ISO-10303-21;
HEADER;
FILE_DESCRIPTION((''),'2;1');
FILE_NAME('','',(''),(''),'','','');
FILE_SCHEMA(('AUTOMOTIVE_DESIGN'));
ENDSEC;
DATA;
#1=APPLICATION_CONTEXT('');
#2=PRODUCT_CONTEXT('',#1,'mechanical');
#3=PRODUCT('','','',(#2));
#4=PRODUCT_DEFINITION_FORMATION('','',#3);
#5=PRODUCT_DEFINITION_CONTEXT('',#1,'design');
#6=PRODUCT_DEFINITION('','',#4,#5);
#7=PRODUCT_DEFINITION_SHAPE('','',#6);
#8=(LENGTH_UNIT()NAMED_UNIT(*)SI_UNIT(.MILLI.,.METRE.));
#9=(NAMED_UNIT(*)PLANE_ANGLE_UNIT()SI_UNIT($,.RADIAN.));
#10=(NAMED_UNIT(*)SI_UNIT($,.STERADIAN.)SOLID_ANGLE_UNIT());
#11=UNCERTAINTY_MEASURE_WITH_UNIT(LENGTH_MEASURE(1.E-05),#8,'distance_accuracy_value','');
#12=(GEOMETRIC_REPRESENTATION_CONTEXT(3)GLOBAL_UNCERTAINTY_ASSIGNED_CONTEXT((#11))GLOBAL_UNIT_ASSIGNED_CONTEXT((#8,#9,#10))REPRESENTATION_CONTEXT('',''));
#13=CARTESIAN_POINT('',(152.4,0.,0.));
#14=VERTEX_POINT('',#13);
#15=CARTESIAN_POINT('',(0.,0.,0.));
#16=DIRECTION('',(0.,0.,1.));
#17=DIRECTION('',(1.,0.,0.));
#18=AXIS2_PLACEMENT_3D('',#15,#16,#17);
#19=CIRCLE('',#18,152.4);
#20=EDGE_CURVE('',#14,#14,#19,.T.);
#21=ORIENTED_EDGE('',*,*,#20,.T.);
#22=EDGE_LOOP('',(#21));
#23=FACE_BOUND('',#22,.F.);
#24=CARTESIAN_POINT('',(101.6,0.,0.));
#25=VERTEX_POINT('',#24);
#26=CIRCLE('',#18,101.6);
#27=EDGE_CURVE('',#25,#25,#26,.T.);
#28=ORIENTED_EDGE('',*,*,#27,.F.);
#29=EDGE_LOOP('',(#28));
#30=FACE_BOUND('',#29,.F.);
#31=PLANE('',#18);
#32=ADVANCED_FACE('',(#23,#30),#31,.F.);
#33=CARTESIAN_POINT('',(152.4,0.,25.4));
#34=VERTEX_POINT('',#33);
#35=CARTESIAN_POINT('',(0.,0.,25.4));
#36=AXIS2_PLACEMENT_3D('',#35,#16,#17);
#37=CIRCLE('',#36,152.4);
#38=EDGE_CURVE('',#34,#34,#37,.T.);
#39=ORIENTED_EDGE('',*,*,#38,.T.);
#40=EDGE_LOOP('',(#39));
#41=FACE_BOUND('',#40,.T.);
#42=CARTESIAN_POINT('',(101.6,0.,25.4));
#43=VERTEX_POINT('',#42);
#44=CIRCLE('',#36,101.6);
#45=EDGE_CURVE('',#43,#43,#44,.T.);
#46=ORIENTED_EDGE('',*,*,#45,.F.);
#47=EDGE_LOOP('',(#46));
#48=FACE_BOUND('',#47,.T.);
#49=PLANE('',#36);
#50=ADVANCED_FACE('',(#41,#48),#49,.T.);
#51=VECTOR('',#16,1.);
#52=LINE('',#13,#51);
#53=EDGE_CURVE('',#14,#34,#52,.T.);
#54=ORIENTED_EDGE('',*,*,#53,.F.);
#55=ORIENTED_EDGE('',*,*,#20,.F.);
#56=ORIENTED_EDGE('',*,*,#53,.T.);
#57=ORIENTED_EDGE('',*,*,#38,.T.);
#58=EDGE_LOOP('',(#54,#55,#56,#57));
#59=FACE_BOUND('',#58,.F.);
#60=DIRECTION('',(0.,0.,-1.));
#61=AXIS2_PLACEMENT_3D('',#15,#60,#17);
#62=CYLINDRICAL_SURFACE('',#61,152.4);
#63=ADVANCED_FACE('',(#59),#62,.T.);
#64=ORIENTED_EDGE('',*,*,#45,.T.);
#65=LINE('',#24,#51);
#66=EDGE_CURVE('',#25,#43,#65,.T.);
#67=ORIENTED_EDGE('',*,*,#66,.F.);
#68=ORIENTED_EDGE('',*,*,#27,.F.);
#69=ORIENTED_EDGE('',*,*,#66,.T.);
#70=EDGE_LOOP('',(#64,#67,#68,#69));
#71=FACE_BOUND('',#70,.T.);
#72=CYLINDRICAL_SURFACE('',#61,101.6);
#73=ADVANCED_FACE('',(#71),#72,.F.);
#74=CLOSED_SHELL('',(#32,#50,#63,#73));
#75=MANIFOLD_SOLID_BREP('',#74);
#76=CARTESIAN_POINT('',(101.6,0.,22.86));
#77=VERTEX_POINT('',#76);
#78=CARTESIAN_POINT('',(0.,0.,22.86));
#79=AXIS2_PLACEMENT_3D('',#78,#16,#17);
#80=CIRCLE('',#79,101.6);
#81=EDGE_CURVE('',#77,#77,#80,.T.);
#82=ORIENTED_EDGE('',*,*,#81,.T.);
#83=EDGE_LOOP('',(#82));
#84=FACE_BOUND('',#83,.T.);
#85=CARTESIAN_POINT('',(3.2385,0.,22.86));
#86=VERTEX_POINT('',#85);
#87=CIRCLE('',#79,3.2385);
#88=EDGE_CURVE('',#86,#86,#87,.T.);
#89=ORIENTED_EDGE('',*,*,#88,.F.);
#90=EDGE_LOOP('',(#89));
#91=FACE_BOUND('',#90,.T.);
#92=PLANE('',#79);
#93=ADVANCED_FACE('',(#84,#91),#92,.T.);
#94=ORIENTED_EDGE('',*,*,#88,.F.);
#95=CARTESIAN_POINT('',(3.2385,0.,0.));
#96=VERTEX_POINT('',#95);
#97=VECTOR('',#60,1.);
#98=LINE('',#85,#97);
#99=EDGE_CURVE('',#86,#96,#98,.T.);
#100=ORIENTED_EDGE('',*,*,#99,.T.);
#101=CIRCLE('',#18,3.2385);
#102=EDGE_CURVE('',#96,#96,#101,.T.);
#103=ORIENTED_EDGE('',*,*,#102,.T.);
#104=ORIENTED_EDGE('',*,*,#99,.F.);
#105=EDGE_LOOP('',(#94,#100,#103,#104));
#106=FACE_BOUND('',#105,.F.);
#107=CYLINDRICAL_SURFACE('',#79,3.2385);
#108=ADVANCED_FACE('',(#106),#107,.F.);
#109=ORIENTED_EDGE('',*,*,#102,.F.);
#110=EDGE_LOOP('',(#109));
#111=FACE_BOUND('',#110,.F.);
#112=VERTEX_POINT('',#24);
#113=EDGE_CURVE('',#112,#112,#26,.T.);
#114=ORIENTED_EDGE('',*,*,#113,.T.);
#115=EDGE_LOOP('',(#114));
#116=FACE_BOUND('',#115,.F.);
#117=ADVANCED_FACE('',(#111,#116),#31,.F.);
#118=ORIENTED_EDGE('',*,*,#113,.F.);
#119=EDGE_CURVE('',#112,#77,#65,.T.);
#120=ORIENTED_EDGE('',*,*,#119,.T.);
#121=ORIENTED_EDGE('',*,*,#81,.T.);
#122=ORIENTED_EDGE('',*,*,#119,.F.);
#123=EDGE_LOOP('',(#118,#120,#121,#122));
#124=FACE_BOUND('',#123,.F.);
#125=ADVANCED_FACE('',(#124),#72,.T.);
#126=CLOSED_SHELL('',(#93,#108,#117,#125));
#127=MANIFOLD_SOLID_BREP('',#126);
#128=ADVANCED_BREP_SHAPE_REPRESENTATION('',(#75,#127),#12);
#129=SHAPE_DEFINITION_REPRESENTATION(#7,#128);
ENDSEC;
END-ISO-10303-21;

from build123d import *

# Parameters (mm, degrees)
F0_R     = 101.6
F1_DEPTH = 22.86
F2_R     = 3.2385
F3_DEPTH = 22.86
F4_R     = 152.4
F4_R_2   = 101.6
F5_DEPTH = 25.4


with BuildPart() as f1:
    # F0 (on Top) → F1 (new body)
    with BuildSketch(Plane.XY):
        Circle(F0_R)
    extrude(amount=F1_DEPTH)

    # F2 (on face) → F3 (cut, through all)
    with BuildSketch(Plane.XY.offset(22.86)):
        Circle(F2_R)
    extrude(amount=-F3_DEPTH, mode=Mode.SUBTRACT)


with BuildPart() as f5:
    # F4 (on Top) → F5 (new body)
    with BuildSketch(Plane.XY):
        Circle(F4_R)
        Circle(F4_R_2, mode=Mode.SUBTRACT)
    extrude(amount=F5_DEPTH)


solid = Compound([f1.part, f5.part])
